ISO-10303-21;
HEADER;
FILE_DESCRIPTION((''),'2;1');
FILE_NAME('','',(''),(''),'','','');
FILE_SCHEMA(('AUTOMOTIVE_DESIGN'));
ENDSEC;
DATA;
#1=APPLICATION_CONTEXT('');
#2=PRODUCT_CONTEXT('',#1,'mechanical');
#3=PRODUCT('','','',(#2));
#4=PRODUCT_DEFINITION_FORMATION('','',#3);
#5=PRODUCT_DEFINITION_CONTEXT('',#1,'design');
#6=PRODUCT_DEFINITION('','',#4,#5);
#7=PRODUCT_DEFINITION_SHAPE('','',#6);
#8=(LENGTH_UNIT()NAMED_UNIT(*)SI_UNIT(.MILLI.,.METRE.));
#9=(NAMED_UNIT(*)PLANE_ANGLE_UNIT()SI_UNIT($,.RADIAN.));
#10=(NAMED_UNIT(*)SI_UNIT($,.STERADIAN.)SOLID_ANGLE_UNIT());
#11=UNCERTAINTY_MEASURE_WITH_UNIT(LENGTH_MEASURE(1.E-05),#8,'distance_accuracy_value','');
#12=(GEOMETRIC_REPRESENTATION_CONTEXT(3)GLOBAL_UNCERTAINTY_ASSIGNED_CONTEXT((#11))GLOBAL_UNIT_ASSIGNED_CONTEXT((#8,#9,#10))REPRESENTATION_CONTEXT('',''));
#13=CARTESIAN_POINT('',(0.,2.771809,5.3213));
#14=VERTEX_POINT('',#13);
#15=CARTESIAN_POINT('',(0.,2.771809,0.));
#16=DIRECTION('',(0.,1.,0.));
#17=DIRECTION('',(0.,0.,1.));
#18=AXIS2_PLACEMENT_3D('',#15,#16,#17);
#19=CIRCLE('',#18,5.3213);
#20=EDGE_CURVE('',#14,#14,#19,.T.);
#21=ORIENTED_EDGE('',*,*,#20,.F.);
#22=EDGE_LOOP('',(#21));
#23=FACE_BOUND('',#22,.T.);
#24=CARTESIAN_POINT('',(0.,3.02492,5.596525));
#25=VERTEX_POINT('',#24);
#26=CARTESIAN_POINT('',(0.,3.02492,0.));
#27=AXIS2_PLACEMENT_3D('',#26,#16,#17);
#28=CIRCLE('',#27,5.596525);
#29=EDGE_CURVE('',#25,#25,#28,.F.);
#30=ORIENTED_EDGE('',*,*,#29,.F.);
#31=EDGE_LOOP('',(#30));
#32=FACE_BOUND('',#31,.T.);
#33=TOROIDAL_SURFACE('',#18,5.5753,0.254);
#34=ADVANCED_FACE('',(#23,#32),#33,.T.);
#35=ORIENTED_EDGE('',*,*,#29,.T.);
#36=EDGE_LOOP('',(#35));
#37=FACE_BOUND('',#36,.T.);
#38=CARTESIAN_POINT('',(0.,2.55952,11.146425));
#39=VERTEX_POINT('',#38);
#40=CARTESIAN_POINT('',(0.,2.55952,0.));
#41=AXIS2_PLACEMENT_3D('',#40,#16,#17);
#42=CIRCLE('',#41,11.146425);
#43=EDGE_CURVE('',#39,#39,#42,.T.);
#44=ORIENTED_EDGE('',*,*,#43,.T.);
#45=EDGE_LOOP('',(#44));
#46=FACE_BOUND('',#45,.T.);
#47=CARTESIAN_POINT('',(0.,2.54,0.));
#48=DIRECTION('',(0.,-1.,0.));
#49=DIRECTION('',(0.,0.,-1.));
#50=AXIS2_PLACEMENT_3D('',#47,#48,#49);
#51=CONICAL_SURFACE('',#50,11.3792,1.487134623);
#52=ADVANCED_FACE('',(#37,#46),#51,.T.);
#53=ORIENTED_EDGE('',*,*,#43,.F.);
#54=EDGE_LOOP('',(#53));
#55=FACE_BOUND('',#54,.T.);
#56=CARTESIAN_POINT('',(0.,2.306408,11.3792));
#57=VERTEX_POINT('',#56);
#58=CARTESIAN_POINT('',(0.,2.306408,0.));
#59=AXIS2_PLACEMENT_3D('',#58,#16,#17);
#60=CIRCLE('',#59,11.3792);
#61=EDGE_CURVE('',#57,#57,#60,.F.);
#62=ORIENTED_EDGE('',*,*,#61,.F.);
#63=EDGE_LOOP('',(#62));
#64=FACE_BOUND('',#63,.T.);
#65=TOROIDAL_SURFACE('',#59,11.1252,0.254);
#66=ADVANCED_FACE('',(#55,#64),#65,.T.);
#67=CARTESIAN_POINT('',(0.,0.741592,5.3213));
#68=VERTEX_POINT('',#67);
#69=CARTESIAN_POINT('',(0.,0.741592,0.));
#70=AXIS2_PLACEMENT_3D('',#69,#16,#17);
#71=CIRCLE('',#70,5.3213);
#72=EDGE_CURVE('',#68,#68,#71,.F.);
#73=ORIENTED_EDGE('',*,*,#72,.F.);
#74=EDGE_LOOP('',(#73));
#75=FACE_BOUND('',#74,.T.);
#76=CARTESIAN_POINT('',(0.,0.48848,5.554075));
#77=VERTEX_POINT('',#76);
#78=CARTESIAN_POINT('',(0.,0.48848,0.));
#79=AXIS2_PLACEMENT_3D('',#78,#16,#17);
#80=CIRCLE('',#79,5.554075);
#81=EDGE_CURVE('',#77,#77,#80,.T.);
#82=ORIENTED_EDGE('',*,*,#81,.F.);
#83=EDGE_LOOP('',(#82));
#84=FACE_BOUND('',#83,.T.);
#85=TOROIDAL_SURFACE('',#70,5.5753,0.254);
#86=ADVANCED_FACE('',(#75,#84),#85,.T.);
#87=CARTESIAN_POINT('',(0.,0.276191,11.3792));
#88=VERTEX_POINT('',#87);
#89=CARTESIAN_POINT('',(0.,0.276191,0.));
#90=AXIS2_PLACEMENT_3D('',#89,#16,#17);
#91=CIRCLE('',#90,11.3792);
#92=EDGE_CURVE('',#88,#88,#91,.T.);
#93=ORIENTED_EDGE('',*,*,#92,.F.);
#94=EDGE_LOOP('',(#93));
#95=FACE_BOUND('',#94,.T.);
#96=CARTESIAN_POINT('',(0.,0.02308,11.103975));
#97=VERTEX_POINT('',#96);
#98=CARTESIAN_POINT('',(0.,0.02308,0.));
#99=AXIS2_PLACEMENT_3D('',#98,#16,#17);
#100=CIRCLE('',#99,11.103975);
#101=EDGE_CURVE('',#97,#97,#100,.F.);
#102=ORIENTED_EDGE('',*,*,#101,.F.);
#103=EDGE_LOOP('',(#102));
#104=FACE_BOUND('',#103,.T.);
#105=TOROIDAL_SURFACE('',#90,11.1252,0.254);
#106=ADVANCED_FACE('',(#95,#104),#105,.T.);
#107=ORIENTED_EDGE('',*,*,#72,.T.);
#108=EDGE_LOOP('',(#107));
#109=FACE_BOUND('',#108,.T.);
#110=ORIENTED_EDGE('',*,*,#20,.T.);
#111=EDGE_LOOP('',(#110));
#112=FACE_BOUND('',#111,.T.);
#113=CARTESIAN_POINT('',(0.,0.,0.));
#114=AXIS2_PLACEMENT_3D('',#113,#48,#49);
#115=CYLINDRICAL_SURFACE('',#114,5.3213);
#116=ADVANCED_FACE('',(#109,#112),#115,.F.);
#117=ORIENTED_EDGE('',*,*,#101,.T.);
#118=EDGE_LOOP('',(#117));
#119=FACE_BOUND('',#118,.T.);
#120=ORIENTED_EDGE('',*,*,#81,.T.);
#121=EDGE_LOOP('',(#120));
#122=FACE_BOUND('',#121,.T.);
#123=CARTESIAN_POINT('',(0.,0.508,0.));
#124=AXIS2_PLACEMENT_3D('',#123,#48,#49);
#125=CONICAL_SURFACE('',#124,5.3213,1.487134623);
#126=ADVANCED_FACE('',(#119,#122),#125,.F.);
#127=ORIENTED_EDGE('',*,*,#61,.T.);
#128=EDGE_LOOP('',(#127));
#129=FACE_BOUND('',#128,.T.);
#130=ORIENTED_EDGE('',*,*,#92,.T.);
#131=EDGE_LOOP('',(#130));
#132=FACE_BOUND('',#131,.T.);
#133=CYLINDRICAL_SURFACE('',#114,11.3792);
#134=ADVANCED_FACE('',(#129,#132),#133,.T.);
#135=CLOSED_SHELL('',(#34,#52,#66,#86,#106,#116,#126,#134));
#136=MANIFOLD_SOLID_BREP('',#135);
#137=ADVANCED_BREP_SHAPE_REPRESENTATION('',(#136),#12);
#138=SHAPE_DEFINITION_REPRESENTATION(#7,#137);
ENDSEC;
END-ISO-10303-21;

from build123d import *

# Parameters (mm, degrees)
FILLET1_R = 0.254


with BuildPart() as part:
    # Sketch2 → Revolve1 (revolve)
    with BuildSketch(Plane(origin=(0, 0, 0), x_dir=(0, 0, -1), z_dir=(1, 0, 0))):
        Polygon((5.3213, 3.048), (5.3213, 0.508), (11.3792, 0), (11.3792, 2.54), align=None)
    revolve(axis=Axis((0, 0, 0), (0, 1, 0)))

    # Fillet1
    fillet1_edges = [part.edges().sort_by_distance(p)[0] for p in [
        (0, 2.54, 11.3792),
        (0, 0, 11.3792),
        (0, 0.508, 5.3213),
        (0, 3.048, 5.3213),
    ]]
    fillet(fillet1_edges, radius=FILLET1_R)


solid = part.part
